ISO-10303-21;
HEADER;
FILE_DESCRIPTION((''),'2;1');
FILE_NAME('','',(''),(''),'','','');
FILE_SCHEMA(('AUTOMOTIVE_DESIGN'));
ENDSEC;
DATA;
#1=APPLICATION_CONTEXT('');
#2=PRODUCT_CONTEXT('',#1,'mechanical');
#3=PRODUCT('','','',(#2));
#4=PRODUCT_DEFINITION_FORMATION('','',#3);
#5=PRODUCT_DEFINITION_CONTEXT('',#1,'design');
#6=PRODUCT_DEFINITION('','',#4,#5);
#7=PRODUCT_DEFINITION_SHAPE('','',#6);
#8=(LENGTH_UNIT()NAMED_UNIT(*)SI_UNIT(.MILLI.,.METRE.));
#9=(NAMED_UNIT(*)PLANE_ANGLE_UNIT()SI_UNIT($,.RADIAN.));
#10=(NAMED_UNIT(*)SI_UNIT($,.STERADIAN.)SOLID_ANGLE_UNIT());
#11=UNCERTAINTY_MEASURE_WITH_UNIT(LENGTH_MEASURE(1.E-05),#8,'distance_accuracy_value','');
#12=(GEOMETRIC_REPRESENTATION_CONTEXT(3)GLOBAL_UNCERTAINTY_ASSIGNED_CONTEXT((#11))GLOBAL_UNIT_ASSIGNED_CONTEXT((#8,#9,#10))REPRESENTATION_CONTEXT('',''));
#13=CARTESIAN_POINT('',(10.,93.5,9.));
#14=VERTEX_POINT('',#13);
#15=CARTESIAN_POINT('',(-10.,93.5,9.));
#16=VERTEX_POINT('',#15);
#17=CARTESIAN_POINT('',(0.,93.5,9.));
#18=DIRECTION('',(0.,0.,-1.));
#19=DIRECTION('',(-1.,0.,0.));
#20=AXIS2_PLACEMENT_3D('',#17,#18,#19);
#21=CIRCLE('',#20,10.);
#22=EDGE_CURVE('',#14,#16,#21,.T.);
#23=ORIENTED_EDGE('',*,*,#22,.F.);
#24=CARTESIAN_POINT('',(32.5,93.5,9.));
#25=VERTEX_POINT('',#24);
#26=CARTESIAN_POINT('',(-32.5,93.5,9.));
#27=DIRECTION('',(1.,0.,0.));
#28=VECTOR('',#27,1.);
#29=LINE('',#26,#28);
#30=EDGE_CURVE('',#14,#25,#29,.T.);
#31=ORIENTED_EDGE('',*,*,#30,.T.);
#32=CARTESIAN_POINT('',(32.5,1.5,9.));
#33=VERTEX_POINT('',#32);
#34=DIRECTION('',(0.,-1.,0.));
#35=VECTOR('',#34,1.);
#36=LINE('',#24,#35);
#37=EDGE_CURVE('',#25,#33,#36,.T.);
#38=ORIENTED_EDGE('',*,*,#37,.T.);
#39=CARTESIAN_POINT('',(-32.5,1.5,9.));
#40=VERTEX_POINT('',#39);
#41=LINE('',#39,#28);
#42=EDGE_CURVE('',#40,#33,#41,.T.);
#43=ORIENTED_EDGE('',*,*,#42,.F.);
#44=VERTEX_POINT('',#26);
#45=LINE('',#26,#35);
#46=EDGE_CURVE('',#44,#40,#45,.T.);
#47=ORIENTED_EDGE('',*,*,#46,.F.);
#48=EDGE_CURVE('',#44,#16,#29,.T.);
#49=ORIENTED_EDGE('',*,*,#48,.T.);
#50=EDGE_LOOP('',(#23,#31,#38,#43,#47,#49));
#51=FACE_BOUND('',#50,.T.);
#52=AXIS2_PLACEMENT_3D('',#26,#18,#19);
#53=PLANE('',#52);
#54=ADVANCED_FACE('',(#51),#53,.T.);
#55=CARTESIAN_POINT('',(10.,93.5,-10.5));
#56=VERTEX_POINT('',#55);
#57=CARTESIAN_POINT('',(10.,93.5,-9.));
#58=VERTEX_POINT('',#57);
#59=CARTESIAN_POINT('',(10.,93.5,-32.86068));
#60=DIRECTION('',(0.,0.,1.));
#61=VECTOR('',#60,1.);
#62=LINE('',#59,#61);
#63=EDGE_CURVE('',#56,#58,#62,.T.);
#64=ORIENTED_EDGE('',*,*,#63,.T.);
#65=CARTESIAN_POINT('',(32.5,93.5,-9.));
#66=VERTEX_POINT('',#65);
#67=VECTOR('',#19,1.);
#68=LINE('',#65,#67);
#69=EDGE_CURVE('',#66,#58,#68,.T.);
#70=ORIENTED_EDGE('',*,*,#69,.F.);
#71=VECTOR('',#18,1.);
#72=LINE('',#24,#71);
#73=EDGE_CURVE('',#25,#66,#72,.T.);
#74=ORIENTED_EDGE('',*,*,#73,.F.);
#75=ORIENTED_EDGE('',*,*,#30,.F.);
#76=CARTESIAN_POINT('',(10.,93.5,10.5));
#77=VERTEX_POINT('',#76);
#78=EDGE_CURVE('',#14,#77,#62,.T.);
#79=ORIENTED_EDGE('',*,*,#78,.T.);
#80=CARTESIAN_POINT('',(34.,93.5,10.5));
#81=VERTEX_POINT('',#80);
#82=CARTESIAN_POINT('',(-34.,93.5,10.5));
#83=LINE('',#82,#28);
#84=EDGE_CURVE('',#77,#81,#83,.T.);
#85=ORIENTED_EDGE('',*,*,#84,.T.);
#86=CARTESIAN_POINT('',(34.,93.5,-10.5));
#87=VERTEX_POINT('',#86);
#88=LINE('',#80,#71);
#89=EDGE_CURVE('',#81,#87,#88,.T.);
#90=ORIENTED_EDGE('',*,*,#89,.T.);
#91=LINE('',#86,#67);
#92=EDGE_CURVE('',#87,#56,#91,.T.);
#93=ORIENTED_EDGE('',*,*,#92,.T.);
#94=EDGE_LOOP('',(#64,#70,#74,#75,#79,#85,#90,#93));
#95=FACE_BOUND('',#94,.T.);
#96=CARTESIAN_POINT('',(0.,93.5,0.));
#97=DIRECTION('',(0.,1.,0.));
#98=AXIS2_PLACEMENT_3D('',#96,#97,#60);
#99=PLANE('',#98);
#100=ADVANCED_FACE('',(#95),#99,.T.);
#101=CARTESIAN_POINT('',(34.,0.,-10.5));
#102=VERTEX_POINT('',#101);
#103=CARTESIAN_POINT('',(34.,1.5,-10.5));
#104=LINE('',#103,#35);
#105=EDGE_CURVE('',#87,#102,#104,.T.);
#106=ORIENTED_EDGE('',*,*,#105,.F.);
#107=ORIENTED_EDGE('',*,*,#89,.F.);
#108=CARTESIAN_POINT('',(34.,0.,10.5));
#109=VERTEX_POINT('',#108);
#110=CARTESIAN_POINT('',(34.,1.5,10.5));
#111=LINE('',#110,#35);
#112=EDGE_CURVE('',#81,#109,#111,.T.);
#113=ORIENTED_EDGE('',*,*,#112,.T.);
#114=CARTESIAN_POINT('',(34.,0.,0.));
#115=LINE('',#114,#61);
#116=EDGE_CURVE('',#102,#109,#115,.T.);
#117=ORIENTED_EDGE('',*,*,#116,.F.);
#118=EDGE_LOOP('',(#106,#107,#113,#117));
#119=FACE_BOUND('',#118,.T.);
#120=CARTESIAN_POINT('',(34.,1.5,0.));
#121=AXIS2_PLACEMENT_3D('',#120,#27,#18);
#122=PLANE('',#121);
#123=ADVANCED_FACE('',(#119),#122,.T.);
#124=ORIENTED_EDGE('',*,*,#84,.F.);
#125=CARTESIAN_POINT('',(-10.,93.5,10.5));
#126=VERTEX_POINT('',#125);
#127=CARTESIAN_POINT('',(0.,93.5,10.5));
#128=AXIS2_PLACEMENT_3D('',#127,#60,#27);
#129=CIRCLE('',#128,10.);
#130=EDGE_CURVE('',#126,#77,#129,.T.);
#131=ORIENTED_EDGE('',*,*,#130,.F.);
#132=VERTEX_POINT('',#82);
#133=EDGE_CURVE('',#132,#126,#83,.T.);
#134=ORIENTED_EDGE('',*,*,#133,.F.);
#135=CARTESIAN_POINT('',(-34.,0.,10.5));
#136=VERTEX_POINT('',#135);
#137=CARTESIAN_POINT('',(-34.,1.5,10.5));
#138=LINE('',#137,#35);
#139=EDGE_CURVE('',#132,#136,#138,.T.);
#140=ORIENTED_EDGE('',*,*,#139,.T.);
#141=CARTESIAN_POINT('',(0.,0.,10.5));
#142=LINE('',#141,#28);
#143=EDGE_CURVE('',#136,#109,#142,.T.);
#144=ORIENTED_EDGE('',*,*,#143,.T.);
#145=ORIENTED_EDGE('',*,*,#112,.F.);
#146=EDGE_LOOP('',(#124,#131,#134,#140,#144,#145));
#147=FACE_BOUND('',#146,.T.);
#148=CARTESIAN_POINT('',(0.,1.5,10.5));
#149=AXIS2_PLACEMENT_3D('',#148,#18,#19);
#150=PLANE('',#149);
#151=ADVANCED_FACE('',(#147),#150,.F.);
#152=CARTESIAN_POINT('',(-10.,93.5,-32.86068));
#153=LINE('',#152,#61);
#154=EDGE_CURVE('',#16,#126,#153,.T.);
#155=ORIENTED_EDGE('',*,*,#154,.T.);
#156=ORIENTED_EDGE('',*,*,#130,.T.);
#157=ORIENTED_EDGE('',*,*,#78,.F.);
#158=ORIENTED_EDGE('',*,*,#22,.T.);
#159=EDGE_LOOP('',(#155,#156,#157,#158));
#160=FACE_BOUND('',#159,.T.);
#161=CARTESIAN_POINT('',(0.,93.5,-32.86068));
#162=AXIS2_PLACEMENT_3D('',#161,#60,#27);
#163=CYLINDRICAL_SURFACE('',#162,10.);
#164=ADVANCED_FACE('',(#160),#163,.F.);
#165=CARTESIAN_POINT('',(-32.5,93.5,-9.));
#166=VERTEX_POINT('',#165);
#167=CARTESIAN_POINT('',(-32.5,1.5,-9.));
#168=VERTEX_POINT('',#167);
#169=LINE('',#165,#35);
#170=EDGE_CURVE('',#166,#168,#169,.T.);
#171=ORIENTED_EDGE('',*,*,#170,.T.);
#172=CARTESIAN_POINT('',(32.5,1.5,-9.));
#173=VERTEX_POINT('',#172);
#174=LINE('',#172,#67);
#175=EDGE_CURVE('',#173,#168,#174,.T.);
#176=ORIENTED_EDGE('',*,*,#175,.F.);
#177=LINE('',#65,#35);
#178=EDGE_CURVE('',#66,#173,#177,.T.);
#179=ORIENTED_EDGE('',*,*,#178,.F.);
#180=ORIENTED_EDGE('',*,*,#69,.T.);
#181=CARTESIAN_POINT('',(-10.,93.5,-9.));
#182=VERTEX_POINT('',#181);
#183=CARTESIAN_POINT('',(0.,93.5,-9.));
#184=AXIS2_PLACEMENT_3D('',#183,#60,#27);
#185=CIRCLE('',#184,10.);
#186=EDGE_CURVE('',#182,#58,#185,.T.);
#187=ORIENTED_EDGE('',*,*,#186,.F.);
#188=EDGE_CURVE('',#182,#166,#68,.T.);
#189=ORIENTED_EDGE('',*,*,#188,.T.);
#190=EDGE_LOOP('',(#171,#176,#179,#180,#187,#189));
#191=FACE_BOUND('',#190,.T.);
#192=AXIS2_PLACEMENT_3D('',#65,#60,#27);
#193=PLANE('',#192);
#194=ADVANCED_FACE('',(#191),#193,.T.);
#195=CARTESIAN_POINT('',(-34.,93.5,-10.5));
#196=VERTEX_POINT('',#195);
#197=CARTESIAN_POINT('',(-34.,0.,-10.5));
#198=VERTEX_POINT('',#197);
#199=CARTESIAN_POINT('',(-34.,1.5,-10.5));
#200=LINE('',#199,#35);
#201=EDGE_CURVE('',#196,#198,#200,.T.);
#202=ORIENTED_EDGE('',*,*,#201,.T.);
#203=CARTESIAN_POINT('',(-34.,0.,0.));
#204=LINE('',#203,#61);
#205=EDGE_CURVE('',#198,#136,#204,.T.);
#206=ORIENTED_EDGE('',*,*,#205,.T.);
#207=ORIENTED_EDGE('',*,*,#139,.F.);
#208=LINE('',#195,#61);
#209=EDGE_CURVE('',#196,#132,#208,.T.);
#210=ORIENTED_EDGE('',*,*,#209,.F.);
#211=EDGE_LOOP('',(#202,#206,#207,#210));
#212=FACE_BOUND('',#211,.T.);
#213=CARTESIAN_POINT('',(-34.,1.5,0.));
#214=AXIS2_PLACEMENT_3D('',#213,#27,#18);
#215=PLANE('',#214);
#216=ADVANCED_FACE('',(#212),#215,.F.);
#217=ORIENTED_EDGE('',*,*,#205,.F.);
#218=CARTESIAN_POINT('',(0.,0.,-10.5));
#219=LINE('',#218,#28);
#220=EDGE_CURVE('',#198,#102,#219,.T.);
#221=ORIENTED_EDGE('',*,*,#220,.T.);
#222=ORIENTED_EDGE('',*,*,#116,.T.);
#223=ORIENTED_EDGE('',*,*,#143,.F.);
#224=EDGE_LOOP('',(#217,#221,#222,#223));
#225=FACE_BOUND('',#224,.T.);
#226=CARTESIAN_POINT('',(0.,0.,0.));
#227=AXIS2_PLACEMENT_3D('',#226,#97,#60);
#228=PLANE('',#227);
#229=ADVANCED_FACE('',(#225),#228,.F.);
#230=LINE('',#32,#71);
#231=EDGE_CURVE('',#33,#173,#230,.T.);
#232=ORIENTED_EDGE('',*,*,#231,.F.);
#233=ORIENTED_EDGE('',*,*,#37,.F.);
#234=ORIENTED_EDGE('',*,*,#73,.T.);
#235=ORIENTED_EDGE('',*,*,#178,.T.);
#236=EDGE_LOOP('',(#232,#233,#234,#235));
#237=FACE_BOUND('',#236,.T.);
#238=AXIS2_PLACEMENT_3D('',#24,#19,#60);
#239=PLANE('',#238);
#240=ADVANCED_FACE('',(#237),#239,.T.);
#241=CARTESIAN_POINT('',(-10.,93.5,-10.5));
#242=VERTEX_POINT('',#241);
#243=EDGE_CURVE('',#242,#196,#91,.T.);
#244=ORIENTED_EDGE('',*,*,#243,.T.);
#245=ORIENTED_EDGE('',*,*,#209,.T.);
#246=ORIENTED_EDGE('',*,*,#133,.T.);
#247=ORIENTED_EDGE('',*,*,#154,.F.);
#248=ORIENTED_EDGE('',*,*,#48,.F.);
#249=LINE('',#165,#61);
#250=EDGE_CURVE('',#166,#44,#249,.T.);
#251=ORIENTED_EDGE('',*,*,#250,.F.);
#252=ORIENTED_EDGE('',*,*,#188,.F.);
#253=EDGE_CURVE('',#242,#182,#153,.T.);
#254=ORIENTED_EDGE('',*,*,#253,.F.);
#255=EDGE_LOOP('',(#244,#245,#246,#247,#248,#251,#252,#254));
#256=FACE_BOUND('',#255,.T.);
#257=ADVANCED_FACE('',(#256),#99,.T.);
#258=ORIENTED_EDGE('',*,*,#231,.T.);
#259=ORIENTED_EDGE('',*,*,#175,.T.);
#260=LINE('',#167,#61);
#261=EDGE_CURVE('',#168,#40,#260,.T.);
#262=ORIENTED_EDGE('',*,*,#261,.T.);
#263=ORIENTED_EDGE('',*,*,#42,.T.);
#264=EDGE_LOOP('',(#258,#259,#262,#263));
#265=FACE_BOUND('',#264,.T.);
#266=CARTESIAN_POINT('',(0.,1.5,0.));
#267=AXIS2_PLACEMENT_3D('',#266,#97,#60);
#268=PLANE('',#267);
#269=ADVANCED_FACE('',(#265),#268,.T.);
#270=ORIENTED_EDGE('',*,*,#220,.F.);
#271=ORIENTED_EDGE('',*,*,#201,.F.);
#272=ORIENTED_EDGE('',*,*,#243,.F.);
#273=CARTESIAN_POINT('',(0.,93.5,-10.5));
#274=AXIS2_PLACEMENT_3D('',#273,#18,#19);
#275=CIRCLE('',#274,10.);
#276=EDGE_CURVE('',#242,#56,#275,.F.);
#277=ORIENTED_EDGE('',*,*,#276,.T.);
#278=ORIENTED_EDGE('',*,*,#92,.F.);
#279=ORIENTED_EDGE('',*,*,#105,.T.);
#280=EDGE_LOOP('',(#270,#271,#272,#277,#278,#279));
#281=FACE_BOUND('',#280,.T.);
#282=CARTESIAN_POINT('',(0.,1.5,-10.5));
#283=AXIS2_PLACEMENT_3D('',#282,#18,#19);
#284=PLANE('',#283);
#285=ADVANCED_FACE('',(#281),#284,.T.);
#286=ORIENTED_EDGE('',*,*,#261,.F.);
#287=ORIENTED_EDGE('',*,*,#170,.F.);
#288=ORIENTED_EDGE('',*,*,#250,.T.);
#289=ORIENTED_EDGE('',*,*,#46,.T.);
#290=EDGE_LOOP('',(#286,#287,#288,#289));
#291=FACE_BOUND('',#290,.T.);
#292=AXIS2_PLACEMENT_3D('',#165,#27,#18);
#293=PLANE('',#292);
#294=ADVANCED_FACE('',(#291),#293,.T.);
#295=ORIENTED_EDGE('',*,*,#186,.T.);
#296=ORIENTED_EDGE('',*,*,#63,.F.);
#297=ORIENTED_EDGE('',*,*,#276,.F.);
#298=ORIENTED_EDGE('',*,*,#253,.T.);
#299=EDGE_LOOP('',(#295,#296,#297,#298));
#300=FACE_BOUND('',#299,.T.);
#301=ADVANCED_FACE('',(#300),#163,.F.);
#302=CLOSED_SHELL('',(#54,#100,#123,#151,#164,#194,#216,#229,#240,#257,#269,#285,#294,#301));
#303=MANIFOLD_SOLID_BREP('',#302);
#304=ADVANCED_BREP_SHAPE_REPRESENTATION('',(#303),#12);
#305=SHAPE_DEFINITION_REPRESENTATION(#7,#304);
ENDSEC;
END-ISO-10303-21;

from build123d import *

# Parameters (mm, degrees)
SKETCH1_W           = 68
SKETCH1_H           = 21
SKETCH1_W_2         = 65
SKETCH1_H_2         = 18
BOSS_EXTRUDE1_DEPTH = 1.5
SKETCH2_W           = 68
SKETCH2_H           = 21
SKETCH2_W_2         = 65
SKETCH2_H_2         = 18
BOSS_EXTRUDE2_DEPTH = 92
CUT_EXTRUDE1_REACH  = 103.682


with BuildPart() as part:
    # Sketch1 → Boss-Extrude1 (new body)
    # profile 1 of 2: a face of its own
    with BuildSketch(Plane(origin=(0, 0, 0), x_dir=(1, 0, 0), z_dir=(0, 1, 0))):
        Rectangle(SKETCH1_W, SKETCH1_H)
        Rectangle(SKETCH1_W_2, SKETCH1_H_2, mode=Mode.SUBTRACT)
    # profile 2 of 2: a face of its own
    with BuildSketch(Plane(origin=(0, 0, 0), x_dir=(1, 0, 0), z_dir=(0, 1, 0))):
        Rectangle(SKETCH1_W_2, SKETCH1_H_2)
    extrude(amount=BOSS_EXTRUDE1_DEPTH)

    # Sketch2 → Boss-Extrude2 (add)
    with BuildSketch(Plane(origin=(0, 1.5, 0), x_dir=(1, 0, 0), z_dir=(0, 1, 0))):
        Rectangle(SKETCH2_W, SKETCH2_H)
        Rectangle(SKETCH2_W_2, SKETCH2_H_2, mode=Mode.SUBTRACT)
    extrude(amount=BOSS_EXTRUDE2_DEPTH)

    # Cut-Extrude1: up to this face of the body (flat: up to its plane)
    cut_extrude1_end = Plane(part.part.faces().sort_by_distance((0, 46.75, -10.5))[0])
    # Sketch3 → Cut-Extrude1 (cut, up to the picked face)
    with BuildSketch(Plane.XY.offset(10.5), mode=Mode.PRIVATE) as cut_extrude1_sk1:
        with BuildLine():
            Line((10, 93.5), (0, 93.5))
            Line((0, 93.5), (0, 83.5))
            ThreePointArc((0, 83.5), (7.071067812, 86.428932188), (10, 93.5))
        make_face()
    cut_extrude1_tool1 = split(extrude(cut_extrude1_sk1.sketch, amount=-CUT_EXTRUDE1_REACH, mode=Mode.PRIVATE), bisect_by=cut_extrude1_end, keep=Keep.BOTH, mode=Mode.PRIVATE)
    # Sketch3 → Cut-Extrude1 (cut, up to the picked face)
    with BuildSketch(Plane.XY.offset(10.5), mode=Mode.PRIVATE) as cut_extrude1_sk2:
        with BuildLine():
            Line((0, 83.5), (0, 93.5))
            Line((0, 93.5), (-10, 93.5))
            ThreePointArc((-10, 93.5), (-7.071067812, 86.428932188), (0, 83.5))
        make_face()
    cut_extrude1_tool2 = split(extrude(cut_extrude1_sk2.sketch, amount=-CUT_EXTRUDE1_REACH, mode=Mode.PRIVATE), bisect_by=cut_extrude1_end, keep=Keep.BOTH, mode=Mode.PRIVATE)
    # Sketch3 → Cut-Extrude1 (cut, up to the picked face)
    with BuildSketch(Plane.XY.offset(10.5), mode=Mode.PRIVATE) as cut_extrude1_sk3:
        with BuildLine():
            Line((10, 93.5), (0, 93.5))
            Line((0, 93.5), (0, 83.5))
            ThreePointArc((0, 83.5), (7.071067812, 86.428932188), (10, 93.5))
        make_face()
    cut_extrude1_tool3 = split(extrude(cut_extrude1_sk3.sketch, amount=-CUT_EXTRUDE1_REACH, mode=Mode.PRIVATE), bisect_by=cut_extrude1_end, keep=Keep.BOTH, mode=Mode.PRIVATE)
    # Sketch3 → Cut-Extrude1 (cut, up to the picked face)
    with BuildSketch(Plane.XY.offset(10.5), mode=Mode.PRIVATE) as cut_extrude1_sk4:
        with BuildLine():
            Line((0, 83.5), (0, 93.5))
            Line((0, 93.5), (-10, 93.5))
            ThreePointArc((-10, 93.5), (-7.071067812, 86.428932188), (0, 83.5))
        make_face()
    cut_extrude1_tool4 = split(extrude(cut_extrude1_sk4.sketch, amount=-CUT_EXTRUDE1_REACH, mode=Mode.PRIVATE), bisect_by=cut_extrude1_end, keep=Keep.BOTH, mode=Mode.PRIVATE)
    add(cut_extrude1_tool1.solids().sort_by(Axis((4.244132, 89.255868, 10.5), (0, 0, -1)))[0], mode=Mode.SUBTRACT)
    add(cut_extrude1_tool2.solids().sort_by(Axis((-4.244132, 89.255868, 10.5), (0, 0, -1)))[0], mode=Mode.SUBTRACT)
    add(cut_extrude1_tool3.solids().sort_by(Axis((4.244132, 89.255868, 10.5), (0, 0, -1)))[0], mode=Mode.SUBTRACT)
    add(cut_extrude1_tool4.solids().sort_by(Axis((-4.244132, 89.255868, 10.5), (0, 0, -1)))[0], mode=Mode.SUBTRACT)


solid = part.part
